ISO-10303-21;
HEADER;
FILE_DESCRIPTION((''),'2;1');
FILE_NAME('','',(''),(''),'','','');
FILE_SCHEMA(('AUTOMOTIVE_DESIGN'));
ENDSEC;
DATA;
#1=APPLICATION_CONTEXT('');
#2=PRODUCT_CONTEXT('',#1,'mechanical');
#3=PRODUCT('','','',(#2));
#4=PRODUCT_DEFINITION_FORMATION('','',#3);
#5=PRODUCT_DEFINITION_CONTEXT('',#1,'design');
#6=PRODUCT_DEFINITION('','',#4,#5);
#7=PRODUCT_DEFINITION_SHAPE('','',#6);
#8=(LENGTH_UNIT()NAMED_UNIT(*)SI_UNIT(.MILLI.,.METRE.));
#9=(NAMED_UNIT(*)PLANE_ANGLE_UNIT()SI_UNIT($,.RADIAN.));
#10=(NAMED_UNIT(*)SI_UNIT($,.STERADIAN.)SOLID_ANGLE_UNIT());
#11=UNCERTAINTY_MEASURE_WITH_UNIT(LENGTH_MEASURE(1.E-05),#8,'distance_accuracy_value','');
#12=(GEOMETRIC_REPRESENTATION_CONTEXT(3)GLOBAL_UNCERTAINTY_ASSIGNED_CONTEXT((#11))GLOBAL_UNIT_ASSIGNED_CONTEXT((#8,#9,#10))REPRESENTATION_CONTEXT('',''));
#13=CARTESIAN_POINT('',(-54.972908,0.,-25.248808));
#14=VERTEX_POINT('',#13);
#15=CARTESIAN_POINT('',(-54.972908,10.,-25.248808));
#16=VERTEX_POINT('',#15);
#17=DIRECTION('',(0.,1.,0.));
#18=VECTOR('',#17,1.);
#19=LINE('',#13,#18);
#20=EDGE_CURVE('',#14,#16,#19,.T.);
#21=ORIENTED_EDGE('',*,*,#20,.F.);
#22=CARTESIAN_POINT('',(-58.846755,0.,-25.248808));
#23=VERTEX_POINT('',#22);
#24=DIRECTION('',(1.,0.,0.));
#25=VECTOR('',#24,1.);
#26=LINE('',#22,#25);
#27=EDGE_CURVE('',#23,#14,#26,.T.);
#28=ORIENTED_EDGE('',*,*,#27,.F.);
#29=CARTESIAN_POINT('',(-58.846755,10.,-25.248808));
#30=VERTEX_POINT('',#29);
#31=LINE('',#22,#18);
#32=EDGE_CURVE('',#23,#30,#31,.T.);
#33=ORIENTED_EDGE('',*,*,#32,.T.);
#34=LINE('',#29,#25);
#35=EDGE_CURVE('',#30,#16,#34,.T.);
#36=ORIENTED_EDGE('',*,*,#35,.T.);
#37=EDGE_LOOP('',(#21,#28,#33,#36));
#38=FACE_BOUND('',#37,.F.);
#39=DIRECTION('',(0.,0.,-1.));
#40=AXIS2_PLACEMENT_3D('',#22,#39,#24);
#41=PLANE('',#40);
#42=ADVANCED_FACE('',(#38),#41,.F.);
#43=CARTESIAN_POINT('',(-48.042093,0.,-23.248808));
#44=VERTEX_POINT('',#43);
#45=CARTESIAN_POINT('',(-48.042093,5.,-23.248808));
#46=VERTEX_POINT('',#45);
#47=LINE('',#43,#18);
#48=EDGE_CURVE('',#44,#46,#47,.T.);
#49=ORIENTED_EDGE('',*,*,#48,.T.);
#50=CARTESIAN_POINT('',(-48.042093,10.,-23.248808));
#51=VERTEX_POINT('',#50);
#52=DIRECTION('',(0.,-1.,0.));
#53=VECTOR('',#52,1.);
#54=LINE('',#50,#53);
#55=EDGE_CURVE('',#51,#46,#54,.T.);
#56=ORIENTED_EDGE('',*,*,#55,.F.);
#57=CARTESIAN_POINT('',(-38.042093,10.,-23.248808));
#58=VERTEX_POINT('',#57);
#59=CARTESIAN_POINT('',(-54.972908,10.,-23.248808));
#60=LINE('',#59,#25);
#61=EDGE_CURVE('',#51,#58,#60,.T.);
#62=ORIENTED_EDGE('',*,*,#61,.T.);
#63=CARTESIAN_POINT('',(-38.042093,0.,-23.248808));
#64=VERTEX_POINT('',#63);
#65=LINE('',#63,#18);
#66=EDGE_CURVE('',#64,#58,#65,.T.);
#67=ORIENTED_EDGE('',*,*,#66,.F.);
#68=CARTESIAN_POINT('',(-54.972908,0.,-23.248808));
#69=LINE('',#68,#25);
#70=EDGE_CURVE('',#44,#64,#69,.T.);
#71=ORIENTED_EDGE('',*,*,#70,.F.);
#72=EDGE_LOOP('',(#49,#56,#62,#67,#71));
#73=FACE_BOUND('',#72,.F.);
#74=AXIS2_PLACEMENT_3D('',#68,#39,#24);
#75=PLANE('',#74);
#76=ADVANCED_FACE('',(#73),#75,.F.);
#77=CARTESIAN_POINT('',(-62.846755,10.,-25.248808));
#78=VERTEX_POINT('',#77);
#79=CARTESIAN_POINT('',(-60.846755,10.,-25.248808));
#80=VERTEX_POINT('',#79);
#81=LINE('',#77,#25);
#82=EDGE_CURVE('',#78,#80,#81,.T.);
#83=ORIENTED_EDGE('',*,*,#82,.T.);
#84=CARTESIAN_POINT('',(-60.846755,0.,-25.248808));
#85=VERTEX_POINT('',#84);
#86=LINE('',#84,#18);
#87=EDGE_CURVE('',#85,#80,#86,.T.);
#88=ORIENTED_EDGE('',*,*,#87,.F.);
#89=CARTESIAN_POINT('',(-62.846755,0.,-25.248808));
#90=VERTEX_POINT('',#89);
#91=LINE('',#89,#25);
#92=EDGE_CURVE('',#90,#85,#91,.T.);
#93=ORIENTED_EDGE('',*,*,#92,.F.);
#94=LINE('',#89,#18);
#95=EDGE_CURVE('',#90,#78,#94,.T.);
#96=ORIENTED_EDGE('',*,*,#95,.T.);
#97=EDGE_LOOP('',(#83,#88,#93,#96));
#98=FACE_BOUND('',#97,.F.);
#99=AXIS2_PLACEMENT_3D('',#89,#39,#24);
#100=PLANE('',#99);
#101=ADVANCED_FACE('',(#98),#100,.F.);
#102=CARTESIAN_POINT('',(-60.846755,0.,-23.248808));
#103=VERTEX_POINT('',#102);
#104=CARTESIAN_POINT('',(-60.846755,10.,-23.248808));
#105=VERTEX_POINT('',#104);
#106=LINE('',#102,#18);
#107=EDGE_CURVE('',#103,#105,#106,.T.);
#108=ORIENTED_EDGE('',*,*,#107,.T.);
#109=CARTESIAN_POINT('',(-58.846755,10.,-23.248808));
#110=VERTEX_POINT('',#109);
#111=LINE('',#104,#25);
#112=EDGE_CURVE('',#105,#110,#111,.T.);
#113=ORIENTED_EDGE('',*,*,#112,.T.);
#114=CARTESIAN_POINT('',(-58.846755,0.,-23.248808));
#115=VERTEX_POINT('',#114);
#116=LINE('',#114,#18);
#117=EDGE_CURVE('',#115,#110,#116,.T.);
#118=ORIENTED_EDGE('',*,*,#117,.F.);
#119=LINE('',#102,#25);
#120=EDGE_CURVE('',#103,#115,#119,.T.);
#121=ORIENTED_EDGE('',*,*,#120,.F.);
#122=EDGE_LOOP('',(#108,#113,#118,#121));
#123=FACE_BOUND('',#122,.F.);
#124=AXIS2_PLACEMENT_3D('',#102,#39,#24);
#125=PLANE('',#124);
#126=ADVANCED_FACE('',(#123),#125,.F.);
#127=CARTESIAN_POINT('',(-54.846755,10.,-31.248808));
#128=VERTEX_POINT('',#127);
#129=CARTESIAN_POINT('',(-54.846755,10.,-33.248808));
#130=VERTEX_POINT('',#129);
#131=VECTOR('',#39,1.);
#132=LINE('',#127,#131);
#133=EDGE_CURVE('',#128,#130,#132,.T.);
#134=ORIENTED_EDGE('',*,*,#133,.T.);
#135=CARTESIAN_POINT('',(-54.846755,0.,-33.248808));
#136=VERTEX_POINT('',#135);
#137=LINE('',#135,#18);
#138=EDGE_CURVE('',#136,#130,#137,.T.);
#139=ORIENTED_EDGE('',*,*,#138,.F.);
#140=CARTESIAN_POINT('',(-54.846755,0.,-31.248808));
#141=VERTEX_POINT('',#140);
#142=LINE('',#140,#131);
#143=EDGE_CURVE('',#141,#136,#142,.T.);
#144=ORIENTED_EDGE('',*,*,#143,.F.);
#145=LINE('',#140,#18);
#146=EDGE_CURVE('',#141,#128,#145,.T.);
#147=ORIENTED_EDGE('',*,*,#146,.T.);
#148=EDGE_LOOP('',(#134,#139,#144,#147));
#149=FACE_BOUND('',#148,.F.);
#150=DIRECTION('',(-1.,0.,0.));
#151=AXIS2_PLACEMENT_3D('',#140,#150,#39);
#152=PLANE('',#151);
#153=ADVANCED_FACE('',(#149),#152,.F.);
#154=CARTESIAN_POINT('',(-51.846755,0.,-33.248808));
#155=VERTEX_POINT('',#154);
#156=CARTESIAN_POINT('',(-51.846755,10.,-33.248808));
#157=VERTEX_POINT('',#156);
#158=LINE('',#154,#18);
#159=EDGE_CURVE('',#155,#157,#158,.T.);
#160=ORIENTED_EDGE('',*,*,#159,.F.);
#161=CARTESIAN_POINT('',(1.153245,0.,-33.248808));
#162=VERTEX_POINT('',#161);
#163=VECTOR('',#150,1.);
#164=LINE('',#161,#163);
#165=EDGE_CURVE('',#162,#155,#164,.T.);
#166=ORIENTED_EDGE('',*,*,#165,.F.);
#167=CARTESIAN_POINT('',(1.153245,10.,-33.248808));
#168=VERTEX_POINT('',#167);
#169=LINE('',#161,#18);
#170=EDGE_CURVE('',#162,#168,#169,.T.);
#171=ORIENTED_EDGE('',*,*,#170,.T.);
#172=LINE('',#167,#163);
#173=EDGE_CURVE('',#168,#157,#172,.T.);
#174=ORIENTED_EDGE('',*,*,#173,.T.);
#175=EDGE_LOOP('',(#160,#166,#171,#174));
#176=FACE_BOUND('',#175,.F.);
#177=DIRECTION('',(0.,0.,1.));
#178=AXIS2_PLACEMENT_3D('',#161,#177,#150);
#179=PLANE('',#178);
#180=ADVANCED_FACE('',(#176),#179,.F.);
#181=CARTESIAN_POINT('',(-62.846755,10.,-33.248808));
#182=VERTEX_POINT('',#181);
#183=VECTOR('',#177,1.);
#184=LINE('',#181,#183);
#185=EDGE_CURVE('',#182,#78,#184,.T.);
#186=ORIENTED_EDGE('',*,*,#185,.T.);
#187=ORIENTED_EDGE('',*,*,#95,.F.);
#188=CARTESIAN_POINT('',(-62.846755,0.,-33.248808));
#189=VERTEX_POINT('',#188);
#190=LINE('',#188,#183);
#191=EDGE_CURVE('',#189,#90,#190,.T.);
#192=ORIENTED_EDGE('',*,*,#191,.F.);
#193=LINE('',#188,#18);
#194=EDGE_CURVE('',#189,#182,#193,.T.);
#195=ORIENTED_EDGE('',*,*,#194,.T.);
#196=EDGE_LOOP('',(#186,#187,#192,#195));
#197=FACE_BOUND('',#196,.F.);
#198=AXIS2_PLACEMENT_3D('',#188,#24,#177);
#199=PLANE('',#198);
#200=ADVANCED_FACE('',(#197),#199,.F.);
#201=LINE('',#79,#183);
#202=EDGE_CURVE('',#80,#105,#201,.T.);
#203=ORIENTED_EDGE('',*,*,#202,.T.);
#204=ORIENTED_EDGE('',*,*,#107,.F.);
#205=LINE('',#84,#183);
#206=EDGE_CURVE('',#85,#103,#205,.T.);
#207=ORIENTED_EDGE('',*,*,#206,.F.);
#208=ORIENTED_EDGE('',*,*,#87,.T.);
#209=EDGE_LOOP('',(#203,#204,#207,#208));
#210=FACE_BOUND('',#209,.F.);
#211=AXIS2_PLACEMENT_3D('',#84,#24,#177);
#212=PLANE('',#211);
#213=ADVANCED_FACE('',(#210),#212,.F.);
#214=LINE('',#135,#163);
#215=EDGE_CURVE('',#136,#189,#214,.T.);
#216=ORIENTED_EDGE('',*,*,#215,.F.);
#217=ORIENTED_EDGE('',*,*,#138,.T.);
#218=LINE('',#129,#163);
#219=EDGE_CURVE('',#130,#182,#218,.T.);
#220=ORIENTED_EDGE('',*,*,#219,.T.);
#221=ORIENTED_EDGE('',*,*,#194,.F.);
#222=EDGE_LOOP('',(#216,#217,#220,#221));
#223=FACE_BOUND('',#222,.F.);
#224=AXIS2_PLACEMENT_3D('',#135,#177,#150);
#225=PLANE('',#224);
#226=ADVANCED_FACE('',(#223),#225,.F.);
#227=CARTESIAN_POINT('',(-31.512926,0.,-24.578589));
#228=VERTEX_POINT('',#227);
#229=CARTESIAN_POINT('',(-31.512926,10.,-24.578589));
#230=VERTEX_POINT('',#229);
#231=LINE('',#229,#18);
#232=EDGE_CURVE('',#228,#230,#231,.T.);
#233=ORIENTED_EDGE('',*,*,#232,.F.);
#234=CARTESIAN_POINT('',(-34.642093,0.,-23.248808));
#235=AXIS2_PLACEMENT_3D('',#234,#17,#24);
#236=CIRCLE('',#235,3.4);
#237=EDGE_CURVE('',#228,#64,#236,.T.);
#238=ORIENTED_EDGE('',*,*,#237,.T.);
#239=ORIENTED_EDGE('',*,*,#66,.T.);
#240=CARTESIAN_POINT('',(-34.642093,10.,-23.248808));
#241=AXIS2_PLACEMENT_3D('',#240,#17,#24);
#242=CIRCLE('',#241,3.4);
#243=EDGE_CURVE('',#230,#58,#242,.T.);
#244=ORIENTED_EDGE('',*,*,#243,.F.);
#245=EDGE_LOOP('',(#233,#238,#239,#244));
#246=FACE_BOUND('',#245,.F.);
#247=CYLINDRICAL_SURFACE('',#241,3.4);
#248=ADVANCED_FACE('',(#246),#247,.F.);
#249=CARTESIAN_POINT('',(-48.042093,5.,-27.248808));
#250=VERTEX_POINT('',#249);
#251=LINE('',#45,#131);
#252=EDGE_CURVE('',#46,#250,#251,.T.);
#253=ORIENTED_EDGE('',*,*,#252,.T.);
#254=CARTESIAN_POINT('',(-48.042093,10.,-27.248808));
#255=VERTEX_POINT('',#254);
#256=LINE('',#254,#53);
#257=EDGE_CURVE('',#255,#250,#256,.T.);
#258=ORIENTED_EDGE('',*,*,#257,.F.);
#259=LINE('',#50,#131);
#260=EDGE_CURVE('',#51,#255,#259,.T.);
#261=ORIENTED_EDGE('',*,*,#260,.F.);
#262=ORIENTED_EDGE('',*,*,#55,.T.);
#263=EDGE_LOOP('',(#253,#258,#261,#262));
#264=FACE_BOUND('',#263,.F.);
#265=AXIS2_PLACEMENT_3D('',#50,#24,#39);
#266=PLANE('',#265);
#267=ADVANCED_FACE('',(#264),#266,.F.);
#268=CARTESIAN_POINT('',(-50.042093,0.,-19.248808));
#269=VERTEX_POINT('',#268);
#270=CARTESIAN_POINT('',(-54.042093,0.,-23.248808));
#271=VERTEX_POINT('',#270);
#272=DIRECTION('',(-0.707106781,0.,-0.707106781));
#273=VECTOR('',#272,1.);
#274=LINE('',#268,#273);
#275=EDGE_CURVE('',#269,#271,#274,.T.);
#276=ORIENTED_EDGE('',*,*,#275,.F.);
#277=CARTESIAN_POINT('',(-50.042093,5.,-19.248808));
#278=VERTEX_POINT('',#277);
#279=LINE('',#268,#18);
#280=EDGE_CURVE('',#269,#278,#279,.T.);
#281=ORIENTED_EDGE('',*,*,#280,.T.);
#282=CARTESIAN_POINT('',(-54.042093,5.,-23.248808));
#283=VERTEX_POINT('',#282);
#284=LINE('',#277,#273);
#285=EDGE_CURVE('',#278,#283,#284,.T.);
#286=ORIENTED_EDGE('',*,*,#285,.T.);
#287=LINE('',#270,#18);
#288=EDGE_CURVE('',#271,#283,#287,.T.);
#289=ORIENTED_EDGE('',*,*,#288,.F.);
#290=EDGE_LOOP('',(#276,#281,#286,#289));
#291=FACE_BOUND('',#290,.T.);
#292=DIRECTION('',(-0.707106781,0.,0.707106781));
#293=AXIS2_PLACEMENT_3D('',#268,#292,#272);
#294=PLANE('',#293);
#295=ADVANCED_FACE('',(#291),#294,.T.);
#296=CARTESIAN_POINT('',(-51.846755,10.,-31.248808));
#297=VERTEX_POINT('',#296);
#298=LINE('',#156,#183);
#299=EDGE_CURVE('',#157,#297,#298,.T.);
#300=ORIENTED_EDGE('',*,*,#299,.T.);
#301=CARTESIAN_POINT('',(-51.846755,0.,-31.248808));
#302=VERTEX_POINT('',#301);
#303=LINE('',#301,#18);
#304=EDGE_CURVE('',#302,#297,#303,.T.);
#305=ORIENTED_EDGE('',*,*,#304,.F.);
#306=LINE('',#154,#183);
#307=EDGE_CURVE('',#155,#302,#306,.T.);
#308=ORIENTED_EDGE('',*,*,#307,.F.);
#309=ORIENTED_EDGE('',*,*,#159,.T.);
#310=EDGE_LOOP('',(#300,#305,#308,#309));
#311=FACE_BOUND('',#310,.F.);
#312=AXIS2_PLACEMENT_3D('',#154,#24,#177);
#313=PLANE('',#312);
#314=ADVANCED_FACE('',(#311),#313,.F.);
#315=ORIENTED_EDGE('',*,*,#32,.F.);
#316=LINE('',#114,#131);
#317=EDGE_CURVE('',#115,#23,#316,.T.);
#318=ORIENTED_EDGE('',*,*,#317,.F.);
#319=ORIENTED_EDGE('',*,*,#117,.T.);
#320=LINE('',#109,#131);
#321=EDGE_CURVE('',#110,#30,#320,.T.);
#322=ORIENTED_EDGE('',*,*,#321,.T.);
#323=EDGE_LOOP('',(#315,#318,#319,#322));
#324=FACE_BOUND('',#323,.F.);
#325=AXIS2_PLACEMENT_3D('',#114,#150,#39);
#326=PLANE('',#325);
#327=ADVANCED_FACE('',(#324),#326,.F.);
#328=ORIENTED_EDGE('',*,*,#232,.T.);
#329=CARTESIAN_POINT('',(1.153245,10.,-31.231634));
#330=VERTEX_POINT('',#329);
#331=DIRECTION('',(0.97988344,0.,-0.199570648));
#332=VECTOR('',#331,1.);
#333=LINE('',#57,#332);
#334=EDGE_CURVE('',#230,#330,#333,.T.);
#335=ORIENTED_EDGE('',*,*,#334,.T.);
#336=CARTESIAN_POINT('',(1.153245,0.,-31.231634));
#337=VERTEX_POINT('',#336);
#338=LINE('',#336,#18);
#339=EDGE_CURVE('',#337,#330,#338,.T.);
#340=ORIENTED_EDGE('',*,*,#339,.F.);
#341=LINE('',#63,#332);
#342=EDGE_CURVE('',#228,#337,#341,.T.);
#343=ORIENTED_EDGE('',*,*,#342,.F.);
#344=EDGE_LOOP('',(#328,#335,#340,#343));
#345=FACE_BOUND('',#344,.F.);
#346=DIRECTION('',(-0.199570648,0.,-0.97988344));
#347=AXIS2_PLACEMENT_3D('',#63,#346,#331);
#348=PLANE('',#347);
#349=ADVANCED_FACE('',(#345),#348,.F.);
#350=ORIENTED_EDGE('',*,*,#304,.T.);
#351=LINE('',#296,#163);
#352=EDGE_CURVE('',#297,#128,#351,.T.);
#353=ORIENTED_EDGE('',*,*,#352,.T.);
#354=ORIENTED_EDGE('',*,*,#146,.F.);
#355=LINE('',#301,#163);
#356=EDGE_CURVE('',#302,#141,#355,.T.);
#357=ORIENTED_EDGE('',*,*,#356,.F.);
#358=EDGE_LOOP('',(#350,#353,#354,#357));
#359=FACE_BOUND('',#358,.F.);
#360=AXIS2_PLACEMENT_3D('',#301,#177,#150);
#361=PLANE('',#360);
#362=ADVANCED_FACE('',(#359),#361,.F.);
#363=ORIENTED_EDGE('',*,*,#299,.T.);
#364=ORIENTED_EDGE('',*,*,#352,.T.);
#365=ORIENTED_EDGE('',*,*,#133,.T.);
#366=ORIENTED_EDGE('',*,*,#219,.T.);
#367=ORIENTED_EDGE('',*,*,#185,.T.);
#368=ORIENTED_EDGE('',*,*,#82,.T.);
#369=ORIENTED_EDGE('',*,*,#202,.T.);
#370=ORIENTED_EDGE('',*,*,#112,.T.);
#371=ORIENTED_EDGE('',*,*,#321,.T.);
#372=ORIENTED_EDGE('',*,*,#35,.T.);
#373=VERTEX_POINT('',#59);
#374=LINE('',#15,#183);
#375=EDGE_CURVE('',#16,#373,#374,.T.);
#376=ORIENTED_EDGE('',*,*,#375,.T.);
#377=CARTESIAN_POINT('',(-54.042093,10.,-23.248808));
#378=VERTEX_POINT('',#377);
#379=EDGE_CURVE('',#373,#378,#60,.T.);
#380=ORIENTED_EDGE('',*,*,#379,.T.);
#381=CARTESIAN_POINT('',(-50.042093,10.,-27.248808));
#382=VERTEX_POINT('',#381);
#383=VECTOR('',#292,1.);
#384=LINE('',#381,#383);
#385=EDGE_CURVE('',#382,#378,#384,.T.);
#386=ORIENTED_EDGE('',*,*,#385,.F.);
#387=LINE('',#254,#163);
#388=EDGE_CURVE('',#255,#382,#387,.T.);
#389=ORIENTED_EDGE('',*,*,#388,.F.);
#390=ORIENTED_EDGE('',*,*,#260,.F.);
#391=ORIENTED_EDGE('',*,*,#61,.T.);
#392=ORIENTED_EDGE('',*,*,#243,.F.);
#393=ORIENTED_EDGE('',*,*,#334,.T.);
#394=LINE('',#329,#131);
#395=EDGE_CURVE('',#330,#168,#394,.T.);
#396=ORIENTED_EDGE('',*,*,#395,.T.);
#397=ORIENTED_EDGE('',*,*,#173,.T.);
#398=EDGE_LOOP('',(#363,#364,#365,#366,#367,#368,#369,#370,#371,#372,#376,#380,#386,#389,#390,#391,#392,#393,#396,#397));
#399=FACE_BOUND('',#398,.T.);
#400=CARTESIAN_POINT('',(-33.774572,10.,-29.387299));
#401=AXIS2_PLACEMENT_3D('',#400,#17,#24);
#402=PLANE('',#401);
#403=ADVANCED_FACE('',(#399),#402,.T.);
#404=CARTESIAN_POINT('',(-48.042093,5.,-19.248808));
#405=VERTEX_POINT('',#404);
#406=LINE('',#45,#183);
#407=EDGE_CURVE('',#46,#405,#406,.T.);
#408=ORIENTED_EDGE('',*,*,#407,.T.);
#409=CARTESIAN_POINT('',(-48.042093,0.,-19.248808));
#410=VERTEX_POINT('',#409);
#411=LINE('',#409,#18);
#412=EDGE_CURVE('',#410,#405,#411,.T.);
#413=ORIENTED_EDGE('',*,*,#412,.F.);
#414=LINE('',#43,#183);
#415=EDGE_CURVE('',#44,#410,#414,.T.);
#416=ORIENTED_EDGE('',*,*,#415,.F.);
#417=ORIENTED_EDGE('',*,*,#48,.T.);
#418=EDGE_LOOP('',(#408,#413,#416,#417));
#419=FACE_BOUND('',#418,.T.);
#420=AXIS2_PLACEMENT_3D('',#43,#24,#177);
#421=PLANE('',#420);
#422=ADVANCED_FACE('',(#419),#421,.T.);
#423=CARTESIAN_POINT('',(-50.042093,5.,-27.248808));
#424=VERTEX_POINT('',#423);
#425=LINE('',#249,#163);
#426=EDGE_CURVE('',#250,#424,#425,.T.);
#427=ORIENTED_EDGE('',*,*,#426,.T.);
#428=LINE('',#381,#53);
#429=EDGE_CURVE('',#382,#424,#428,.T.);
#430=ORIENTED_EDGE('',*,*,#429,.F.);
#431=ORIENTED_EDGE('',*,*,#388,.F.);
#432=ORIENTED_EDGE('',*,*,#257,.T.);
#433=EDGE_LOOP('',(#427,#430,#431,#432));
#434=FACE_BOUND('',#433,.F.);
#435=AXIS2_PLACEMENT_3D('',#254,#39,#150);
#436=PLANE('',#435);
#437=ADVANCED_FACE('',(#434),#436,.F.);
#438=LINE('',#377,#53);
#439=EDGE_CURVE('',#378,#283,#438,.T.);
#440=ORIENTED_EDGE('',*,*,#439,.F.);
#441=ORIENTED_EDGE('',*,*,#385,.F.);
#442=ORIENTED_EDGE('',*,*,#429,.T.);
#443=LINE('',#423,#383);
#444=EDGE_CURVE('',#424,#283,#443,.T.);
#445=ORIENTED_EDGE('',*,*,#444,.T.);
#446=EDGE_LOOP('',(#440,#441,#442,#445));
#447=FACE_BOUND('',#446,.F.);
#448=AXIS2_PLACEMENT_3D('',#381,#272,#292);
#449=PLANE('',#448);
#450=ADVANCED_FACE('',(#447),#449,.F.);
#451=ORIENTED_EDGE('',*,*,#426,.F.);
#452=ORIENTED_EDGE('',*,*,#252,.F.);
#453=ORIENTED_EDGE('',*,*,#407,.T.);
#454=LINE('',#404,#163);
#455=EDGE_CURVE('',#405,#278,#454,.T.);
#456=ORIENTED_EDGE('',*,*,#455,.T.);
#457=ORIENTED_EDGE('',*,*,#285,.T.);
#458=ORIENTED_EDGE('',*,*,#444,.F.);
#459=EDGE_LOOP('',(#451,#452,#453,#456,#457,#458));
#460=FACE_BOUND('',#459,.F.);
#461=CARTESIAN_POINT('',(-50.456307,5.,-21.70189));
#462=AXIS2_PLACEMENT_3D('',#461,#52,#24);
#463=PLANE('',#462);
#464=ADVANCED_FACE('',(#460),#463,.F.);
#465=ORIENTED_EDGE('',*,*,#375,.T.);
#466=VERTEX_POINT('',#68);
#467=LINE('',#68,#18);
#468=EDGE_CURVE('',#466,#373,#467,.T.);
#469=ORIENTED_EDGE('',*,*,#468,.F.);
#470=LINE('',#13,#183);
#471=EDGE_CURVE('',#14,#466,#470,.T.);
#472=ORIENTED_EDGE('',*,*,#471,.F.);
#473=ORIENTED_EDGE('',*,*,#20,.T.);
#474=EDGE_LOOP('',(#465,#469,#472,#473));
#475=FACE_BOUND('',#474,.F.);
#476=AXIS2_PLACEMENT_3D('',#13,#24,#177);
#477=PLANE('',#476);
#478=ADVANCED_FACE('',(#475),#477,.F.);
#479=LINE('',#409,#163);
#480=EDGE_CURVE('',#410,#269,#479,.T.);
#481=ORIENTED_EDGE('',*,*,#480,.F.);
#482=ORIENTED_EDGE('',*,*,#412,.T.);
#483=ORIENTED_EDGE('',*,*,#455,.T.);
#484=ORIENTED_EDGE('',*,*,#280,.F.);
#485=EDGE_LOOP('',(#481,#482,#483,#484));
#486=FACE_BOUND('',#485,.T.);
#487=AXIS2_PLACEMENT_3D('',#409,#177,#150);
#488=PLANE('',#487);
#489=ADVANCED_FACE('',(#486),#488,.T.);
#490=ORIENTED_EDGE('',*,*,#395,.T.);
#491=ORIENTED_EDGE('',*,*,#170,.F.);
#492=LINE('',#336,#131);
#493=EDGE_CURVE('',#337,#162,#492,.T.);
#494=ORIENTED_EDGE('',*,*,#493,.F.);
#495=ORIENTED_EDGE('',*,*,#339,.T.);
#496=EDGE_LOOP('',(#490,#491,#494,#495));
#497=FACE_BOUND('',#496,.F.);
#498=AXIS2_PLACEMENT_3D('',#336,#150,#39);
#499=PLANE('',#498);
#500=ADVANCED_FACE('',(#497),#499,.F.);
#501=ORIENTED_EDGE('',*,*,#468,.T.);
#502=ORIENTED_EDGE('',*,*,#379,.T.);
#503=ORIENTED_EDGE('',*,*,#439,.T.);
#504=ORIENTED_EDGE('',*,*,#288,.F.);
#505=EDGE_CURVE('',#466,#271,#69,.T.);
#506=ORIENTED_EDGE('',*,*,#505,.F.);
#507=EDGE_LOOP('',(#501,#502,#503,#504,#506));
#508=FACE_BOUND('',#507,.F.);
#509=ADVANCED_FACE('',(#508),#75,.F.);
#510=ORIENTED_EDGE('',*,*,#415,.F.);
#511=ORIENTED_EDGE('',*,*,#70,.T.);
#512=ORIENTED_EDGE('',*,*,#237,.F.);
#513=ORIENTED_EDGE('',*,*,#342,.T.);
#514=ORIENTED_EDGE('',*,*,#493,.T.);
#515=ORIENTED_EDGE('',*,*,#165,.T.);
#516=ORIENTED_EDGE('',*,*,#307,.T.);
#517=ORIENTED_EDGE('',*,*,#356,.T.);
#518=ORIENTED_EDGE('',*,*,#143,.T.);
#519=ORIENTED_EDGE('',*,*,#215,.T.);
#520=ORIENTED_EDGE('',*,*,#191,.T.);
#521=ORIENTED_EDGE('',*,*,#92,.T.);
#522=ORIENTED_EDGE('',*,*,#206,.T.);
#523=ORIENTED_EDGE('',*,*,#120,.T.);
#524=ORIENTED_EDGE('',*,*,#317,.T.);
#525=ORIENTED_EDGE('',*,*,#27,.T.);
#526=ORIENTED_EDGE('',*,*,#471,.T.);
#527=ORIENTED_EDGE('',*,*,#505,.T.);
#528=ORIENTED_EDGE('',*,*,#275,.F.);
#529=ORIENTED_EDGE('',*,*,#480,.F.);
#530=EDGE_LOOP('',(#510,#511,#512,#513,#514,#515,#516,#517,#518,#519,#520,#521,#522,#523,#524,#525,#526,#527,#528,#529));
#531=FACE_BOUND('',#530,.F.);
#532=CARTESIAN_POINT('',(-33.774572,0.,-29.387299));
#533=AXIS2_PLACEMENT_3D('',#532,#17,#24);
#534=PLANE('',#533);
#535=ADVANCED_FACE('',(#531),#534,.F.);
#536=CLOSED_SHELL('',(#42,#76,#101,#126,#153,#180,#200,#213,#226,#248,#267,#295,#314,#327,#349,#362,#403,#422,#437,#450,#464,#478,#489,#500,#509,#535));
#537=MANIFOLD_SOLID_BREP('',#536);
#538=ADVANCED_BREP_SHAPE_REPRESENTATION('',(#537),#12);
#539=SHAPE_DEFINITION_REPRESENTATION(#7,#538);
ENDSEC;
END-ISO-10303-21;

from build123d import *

# Parameters (mm, degrees)
PAD_DEPTH       = 10
SKETCH001_R     = 3.4
POCKET_DEPTH    = 10.001
PAD001_DEPTH    = 5
POCKET001_DEPTH = 5


with BuildPart() as part:
    # Sketch → Pad (new body)
    with BuildSketch(Plane(origin=(0, 0, 0), x_dir=(1, 0, 0), z_dir=(0, 1, 0))):
        Polygon((-62.846755, 25.248808), (-60.846755, 25.248808), (-60.846755, 23.248808), (-58.846755, 23.248808), (-58.846755, 25.248808), (-54.972908, 25.248808), (-54.972908, 23.248808), (-38.042093, 23.248808), (1.153245, 31.231634), (1.153245, 33.248808), (-51.846755, 33.248808), (-51.846755, 31.248808), (-54.846755, 31.248808), (-54.846755, 33.248808), (-62.846755, 33.248808), align=None)
    extrude(amount=PAD_DEPTH)

    # Sketch001 → Pocket (cut, through all)
    with BuildSketch(Plane(origin=(0, 10, 0), x_dir=(1, 0, 0), z_dir=(0, 1, 0))):
        with Locations((-34.642093, 23.248808)):
            Circle(SKETCH001_R)
    extrude(amount=-POCKET_DEPTH, mode=Mode.SUBTRACT)

    # Sketch002 → Pad001 (new body)
    with BuildSketch(Plane.XZ):
        Polygon((-48.042093, -23.248808), (-48.042093, -19.248808), (-50.042093, -19.248808), (-54.042093, -23.248808), align=None)
    extrude(amount=-PAD001_DEPTH)

    # Sketch003 → Pocket001 (cut)
    with BuildSketch(Plane(origin=(0, 10, 0), x_dir=(1, 0, 0), z_dir=(0, 1, 0))):
        Polygon((-48.042093, 23.248808), (-48.042093, 27.248808), (-50.042093, 27.248808), (-54.042093, 23.248808), align=None)
    extrude(amount=-POCKET001_DEPTH, mode=Mode.SUBTRACT)


solid = part.part
